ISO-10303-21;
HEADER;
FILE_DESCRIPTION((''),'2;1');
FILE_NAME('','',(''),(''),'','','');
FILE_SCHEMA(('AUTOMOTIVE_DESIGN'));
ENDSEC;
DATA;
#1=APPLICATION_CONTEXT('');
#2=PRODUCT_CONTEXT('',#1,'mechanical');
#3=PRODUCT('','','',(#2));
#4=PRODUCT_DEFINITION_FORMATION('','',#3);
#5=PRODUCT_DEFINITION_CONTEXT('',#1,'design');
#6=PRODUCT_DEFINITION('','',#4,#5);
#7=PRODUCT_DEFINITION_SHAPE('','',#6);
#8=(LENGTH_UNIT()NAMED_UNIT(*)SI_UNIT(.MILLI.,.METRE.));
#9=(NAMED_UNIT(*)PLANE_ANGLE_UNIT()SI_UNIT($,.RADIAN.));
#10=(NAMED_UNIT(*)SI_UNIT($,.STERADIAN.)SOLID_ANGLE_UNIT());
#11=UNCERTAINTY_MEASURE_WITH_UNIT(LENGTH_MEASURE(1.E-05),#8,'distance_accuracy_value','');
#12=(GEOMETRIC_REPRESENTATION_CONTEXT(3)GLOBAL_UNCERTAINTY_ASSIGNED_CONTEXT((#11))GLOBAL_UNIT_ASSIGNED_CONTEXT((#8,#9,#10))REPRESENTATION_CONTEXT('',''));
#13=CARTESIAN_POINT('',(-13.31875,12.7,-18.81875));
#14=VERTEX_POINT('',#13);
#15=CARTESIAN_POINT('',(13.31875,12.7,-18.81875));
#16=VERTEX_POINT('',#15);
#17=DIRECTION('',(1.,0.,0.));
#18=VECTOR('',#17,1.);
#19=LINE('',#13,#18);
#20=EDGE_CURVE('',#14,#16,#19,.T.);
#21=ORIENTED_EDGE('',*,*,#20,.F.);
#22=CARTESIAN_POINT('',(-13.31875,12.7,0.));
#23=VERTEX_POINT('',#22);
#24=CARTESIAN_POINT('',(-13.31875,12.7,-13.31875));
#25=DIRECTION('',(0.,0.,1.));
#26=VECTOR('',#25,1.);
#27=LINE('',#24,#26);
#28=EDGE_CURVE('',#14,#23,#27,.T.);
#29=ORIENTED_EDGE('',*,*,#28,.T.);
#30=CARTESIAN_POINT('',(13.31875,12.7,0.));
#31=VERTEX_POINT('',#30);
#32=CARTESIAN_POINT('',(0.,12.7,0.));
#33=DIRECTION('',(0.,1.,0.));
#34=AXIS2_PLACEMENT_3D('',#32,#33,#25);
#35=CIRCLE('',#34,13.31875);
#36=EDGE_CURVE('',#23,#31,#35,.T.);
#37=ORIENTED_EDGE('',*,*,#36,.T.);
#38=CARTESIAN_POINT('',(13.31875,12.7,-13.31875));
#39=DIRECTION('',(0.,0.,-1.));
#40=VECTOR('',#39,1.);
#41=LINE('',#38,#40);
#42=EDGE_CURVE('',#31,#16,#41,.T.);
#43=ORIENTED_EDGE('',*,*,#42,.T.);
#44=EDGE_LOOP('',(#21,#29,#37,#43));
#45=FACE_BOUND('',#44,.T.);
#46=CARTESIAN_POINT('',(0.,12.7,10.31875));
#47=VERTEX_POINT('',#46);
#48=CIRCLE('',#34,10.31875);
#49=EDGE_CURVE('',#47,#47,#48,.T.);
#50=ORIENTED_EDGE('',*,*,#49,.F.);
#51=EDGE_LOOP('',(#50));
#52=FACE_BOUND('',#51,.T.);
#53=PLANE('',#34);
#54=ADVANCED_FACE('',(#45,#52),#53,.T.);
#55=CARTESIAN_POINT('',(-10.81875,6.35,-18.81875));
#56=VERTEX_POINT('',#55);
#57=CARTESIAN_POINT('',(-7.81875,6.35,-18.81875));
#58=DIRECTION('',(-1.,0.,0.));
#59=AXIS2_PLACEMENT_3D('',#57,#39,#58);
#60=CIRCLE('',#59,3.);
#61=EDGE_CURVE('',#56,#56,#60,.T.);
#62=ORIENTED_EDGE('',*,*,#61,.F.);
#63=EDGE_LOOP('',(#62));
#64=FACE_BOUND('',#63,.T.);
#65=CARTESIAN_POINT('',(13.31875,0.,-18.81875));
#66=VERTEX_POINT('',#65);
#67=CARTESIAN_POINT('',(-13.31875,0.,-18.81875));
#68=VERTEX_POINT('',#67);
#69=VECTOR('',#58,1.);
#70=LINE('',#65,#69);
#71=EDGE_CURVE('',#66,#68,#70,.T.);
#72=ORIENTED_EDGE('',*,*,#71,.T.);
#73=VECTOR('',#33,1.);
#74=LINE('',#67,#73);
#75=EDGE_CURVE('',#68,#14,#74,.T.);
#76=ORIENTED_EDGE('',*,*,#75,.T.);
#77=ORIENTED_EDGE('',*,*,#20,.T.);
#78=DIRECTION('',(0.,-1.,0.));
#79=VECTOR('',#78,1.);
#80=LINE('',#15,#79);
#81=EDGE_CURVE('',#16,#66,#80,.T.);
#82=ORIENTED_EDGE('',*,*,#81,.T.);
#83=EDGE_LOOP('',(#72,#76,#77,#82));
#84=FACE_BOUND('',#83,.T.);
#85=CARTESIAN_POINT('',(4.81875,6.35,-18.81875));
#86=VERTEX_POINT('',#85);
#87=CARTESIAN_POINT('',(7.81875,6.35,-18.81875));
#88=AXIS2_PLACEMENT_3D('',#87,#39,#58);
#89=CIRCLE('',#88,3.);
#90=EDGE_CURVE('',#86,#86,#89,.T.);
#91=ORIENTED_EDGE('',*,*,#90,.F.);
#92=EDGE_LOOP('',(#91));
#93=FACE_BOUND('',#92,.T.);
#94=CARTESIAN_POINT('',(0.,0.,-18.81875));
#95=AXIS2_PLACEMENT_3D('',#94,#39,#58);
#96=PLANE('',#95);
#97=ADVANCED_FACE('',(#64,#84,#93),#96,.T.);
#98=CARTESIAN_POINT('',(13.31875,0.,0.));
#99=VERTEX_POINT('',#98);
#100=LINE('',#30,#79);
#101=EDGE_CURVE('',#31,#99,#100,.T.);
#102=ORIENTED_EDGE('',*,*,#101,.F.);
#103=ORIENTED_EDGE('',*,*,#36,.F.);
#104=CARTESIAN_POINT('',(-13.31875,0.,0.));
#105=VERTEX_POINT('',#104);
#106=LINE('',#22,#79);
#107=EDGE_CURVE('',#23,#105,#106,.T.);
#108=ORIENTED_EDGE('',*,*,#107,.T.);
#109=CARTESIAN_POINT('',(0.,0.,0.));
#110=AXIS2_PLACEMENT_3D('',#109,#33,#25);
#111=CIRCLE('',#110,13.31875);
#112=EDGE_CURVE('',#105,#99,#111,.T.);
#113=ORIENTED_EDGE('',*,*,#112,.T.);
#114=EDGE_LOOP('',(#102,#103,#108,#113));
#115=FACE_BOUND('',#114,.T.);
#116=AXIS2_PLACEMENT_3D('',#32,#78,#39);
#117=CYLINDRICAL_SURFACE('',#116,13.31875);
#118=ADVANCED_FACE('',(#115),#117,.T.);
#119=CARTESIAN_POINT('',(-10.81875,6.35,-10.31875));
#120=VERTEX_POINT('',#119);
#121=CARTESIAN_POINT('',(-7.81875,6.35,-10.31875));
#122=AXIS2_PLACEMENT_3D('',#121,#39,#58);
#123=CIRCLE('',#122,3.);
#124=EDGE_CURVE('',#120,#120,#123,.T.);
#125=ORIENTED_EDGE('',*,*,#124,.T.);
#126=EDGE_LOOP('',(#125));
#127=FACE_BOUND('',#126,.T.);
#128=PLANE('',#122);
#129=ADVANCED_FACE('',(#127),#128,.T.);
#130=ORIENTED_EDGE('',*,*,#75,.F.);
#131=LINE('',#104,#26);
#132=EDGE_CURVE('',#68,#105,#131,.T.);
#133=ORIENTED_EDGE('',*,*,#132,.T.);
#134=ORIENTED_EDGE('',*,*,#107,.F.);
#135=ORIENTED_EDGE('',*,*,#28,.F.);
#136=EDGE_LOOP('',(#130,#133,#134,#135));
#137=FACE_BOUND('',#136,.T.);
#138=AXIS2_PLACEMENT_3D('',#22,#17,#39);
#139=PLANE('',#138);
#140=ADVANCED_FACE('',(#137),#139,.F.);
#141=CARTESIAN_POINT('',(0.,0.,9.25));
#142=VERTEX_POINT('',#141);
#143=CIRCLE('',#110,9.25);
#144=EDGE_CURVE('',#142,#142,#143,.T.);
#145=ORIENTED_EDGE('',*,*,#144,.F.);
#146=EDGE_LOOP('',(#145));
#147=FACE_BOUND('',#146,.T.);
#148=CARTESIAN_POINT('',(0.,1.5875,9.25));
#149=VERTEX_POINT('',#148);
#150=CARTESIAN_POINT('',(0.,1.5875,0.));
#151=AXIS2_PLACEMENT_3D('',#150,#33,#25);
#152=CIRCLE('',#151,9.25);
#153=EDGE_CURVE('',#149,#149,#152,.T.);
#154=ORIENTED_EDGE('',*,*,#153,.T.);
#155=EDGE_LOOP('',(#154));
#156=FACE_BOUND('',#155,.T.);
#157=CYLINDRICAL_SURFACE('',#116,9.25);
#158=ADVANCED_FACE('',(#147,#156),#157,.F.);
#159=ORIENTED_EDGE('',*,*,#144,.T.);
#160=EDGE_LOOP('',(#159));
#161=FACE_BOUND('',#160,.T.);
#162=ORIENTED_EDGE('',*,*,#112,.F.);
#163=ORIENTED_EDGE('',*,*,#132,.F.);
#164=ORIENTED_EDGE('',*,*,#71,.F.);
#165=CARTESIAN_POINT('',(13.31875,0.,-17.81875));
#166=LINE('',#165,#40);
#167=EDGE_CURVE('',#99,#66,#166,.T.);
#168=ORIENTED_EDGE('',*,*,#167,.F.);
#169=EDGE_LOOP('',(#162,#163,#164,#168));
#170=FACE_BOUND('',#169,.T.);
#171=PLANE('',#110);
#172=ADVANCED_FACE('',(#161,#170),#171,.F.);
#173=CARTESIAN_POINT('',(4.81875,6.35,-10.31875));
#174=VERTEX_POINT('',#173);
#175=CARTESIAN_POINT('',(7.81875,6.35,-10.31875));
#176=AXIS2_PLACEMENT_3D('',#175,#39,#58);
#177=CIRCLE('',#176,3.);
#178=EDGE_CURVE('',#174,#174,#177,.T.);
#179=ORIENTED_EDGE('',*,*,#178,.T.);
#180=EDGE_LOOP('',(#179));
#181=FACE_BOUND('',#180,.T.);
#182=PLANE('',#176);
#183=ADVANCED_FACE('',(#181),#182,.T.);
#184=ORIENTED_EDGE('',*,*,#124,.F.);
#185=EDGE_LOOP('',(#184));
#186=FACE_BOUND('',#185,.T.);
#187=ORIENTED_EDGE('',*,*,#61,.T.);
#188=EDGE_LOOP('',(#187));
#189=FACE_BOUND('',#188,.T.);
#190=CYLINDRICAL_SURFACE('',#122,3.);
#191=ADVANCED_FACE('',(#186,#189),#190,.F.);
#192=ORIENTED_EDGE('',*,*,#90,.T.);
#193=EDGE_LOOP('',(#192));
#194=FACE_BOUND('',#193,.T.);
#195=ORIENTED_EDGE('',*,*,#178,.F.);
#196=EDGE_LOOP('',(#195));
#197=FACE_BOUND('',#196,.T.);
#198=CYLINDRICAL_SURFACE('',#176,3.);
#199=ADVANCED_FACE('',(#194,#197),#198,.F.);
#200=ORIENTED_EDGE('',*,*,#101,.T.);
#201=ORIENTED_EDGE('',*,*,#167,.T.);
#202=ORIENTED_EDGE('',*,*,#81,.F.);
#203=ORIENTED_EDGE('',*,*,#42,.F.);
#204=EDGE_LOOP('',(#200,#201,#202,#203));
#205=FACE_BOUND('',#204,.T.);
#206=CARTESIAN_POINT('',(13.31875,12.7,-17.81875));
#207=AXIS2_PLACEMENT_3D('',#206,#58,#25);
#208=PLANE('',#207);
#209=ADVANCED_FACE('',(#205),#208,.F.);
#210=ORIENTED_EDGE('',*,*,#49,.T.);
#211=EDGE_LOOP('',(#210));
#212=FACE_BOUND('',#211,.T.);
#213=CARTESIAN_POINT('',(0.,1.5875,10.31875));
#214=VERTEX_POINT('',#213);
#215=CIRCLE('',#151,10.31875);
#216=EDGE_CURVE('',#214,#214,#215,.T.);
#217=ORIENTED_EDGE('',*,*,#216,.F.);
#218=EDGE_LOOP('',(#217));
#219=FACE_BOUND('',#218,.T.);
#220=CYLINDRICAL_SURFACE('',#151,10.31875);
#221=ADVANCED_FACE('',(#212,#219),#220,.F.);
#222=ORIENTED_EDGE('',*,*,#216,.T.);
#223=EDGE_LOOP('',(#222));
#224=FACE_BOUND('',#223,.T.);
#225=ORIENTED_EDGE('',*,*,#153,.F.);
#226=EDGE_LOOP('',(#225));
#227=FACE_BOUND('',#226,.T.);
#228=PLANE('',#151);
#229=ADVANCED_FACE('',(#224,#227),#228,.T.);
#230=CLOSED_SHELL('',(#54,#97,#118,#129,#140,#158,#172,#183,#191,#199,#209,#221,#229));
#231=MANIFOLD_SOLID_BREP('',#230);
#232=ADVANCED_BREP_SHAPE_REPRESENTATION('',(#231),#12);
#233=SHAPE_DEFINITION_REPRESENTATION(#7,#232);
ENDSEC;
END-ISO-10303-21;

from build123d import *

# Parameters (mm, degrees)
SKETCH1_R           = 9.25
BOSS_EXTRUDE1_DEPTH = 12.7
SKETCH2_R           = 10.31875
CUT_EXTRUDE1_DEPTH  = 11.1125
SKETCH3_R           = 3
CUT_EXTRUDE2_DEPTH  = 7.5
BOSS_EXTRUDE2_START = 1
SKETCH4_W           = 26.6375
SKETCH4_H           = 12.7
SKETCH4_R           = 3
BOSS_EXTRUDE2_DEPTH = 1


with BuildPart() as part:
    # Sketch1 → Boss-Extrude1 (new body)
    with BuildSketch(Plane(origin=(0, 0, 0), x_dir=(1, 0, 0), z_dir=(0, 1, 0))):
        with BuildLine():
            Line((-13.31875, 0), (-13.31875, 13.31875))
            Line((-13.31875, 13.31875), (-13.31875, 17.81875))
            Line((-13.31875, 17.81875), (13.31875, 17.81875))
            Line((13.31875, 17.81875), (13.31875, 13.31875))
            Line((13.31875, 13.31875), (13.31875, 0))
            ThreePointArc((13.31875, 0), (0, -13.31875), (-13.31875, 0))
        make_face()
        with Locations(Location((0, 0, 0), (0, 0, 270))):
            Circle(SKETCH1_R, mode=Mode.SUBTRACT)
    extrude(amount=BOSS_EXTRUDE1_DEPTH)

    # Sketch2 → Cut-Extrude1 (cut)
    with BuildSketch(Plane(origin=(0, 12.7, 0), x_dir=(1, 0, 0), z_dir=(0, 1, 0))):
        with Locations(Location((0, 0, 0), (0, 0, 270))):
            Circle(SKETCH2_R)
    extrude(amount=-CUT_EXTRUDE1_DEPTH, mode=Mode.SUBTRACT)

    # Sketch3 → Cut-Extrude2 (cut)
    with BuildSketch(Plane(origin=(0, 0, -17.81875), x_dir=(-1, 0, 0), z_dir=(0, 0, -1))):
        with Locations((-7.81875, 6.35)):
            Circle(SKETCH3_R)
        with Locations((7.81875, 6.35)):
            Circle(SKETCH3_R)
    extrude(amount=-CUT_EXTRUDE2_DEPTH, mode=Mode.SUBTRACT)

    # Sketch4 → Boss-Extrude2 (add)
    with BuildSketch(Plane(origin=(0, 0, -17.81875), x_dir=(-1, 0, 0), z_dir=(0, 0, -1)).offset(BOSS_EXTRUDE2_START)):
        with Locations((0, 6.35)):
            Rectangle(SKETCH4_W, SKETCH4_H)
        with Locations((-7.81875, 6.35)):
            Circle(SKETCH4_R, mode=Mode.SUBTRACT)
        with Locations((7.81875, 6.35)):
            Circle(SKETCH4_R, mode=Mode.SUBTRACT)
    extrude(amount=-BOSS_EXTRUDE2_DEPTH)


solid = part.part
